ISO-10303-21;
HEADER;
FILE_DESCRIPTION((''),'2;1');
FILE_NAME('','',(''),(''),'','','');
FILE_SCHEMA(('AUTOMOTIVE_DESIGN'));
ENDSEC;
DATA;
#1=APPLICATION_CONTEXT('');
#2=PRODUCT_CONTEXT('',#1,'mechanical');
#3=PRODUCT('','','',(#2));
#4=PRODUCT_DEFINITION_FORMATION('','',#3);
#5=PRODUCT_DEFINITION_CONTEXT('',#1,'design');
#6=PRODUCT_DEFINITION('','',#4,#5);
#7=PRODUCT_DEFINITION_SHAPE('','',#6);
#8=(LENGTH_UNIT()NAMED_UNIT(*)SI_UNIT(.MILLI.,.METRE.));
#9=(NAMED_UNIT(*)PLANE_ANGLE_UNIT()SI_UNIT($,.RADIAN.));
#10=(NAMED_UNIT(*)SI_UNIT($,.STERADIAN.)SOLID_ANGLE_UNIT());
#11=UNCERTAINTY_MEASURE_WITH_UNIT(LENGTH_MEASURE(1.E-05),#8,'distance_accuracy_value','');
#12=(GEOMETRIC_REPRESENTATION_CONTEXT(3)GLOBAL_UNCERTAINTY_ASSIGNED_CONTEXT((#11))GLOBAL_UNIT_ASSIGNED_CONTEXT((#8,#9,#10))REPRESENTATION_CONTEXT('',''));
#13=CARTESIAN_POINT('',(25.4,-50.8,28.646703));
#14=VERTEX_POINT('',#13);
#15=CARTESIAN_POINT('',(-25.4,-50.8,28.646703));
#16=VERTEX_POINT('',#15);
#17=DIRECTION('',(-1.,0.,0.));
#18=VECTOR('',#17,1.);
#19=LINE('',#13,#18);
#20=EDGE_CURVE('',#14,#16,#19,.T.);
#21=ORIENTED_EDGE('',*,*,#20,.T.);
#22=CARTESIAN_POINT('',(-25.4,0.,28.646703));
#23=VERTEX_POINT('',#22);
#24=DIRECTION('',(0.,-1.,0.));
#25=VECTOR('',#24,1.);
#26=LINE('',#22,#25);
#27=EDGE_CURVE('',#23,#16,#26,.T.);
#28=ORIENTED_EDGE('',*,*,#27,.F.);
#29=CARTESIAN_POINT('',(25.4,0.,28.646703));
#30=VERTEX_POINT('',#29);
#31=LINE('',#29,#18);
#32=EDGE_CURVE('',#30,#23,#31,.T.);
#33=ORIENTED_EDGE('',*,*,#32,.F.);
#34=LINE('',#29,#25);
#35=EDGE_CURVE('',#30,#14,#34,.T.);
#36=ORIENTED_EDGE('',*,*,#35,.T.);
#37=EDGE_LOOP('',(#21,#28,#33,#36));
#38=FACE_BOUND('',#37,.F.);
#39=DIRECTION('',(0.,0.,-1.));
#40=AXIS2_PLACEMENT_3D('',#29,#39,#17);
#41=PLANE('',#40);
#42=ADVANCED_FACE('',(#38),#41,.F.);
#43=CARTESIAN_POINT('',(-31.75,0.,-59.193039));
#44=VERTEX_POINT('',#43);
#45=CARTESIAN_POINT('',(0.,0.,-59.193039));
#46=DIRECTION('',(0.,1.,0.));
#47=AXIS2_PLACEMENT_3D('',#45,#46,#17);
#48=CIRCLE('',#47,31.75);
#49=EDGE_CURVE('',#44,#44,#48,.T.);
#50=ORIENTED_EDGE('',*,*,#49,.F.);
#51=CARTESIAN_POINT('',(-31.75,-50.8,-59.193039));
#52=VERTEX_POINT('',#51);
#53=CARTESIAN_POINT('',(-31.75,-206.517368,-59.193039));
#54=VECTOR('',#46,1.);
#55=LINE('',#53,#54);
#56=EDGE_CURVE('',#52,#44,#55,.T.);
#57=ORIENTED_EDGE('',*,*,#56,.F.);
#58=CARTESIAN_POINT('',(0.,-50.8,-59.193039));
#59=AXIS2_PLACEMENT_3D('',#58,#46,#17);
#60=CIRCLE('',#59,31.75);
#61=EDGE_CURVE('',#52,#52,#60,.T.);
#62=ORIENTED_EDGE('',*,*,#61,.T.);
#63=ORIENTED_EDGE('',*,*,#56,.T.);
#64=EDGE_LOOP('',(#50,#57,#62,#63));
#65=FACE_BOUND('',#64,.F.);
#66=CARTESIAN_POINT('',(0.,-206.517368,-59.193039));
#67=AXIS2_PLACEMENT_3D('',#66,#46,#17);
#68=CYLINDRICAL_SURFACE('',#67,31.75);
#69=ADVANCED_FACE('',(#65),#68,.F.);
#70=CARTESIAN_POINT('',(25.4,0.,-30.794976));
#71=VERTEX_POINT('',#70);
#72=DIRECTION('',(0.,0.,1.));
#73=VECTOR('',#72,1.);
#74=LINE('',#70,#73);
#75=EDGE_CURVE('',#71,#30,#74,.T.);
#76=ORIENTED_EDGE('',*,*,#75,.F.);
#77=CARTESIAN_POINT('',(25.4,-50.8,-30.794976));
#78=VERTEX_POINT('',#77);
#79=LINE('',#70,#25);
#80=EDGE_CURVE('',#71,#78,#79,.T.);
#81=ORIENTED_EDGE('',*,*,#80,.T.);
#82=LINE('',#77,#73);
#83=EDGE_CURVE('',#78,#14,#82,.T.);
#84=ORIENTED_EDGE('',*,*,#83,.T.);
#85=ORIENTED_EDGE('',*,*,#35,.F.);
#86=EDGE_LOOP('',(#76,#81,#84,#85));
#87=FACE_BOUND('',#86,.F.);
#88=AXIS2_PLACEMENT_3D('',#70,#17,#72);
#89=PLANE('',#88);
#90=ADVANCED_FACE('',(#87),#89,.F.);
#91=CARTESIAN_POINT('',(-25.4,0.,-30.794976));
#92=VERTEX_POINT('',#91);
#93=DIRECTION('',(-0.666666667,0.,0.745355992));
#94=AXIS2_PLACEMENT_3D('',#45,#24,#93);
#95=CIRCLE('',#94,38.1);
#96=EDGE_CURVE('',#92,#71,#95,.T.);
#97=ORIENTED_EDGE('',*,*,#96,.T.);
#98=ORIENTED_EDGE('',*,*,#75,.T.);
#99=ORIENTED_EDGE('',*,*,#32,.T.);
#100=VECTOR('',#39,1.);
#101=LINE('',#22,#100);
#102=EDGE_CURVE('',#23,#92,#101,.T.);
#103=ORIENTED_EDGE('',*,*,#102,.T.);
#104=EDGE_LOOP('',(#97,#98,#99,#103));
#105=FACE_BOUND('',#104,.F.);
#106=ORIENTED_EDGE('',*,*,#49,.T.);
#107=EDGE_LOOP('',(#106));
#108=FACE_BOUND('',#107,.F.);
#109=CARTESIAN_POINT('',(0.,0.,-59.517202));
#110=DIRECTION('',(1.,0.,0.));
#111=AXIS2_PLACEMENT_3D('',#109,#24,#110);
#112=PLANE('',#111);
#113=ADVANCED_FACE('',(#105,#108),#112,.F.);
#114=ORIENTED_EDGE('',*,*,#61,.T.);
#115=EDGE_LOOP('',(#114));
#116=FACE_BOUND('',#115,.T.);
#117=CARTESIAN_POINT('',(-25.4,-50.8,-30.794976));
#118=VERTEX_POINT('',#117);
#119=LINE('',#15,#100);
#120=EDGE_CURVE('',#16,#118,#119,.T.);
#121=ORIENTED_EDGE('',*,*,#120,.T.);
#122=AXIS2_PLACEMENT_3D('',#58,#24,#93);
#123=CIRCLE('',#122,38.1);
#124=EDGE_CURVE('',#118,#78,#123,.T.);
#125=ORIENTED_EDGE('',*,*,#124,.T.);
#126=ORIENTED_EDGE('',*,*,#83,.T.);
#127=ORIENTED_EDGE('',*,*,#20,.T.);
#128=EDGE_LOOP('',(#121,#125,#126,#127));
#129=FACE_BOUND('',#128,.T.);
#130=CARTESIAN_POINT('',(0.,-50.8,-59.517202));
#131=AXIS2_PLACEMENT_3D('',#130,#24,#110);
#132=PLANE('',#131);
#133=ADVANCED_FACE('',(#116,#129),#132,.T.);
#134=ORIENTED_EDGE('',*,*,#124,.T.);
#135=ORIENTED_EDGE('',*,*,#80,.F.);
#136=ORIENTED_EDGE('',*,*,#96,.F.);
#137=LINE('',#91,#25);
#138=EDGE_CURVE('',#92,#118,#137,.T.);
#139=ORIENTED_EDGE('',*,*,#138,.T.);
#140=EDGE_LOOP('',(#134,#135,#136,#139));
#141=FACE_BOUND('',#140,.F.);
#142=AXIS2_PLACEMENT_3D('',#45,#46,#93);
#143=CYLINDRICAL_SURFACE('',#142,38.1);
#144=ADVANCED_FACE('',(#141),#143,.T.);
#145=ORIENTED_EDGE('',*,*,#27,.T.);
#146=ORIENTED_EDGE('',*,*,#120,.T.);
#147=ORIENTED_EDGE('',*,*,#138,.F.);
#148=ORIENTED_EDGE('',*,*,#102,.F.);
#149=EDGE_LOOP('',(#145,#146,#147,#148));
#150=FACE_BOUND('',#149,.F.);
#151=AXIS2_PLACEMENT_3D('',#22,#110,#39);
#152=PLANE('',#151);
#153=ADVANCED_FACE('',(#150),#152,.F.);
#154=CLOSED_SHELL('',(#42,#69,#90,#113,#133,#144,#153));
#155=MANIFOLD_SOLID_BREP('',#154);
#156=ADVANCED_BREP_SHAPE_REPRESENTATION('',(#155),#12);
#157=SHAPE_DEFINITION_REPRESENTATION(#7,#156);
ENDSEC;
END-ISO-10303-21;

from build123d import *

# Parameters (mm, degrees)
F1_DEPTH = 50.8
F3_D     = 63.5


with BuildPart() as f1:
    # F0 (on Front) → F1 (new body)
    with BuildSketch(Plane.XZ):
        with BuildLine():
            ThreePointArc((-25.4, -30.7949761419), (-15.5542598667, -93.9734218577), (38.1, -59.1930394562))
            ThreePointArc((38.1, -59.1930394562), (34.7803824016, -43.6387795895), (25.4, -30.7949761419))
            Line((25.4, -30.7949761419), (25.4, -47.553297191))
            Line((25.4, -47.553297191), (-25.4, -47.553297191))
            Line((-25.4, -47.553297191), (-25.4, -30.7949761419))
        make_face()
        with BuildLine():
            Line((25.4, -47.553297191), (25.4, -30.7949761419))
            ThreePointArc((25.4, -30.7949761419), (0, -21.0930394562), (-25.4, -30.7949761419))
            Line((-25.4, -30.7949761419), (-25.4, -47.553297191))
            Line((-25.4, -47.553297191), (25.4, -47.553297191))
        make_face()
        with BuildLine():
            ThreePointArc((-25.4, -30.7949761419), (0, -21.0930394562), (25.4, -30.7949761419))
            Line((25.4, -30.7949761419), (25.4, 28.646702809))
            Line((25.4, 28.646702809), (-25.4, 28.646702809))
            Line((-25.4, 28.646702809), (-25.4, -30.7949761419))
        make_face()
    extrude(amount=F1_DEPTH)

    # F3 (through all)
    with Locations(Plane.XZ.offset(50.8)):
        with Locations((0, -59.1930394562)):
            Hole(F3_D / 2)


solid = f1.part
